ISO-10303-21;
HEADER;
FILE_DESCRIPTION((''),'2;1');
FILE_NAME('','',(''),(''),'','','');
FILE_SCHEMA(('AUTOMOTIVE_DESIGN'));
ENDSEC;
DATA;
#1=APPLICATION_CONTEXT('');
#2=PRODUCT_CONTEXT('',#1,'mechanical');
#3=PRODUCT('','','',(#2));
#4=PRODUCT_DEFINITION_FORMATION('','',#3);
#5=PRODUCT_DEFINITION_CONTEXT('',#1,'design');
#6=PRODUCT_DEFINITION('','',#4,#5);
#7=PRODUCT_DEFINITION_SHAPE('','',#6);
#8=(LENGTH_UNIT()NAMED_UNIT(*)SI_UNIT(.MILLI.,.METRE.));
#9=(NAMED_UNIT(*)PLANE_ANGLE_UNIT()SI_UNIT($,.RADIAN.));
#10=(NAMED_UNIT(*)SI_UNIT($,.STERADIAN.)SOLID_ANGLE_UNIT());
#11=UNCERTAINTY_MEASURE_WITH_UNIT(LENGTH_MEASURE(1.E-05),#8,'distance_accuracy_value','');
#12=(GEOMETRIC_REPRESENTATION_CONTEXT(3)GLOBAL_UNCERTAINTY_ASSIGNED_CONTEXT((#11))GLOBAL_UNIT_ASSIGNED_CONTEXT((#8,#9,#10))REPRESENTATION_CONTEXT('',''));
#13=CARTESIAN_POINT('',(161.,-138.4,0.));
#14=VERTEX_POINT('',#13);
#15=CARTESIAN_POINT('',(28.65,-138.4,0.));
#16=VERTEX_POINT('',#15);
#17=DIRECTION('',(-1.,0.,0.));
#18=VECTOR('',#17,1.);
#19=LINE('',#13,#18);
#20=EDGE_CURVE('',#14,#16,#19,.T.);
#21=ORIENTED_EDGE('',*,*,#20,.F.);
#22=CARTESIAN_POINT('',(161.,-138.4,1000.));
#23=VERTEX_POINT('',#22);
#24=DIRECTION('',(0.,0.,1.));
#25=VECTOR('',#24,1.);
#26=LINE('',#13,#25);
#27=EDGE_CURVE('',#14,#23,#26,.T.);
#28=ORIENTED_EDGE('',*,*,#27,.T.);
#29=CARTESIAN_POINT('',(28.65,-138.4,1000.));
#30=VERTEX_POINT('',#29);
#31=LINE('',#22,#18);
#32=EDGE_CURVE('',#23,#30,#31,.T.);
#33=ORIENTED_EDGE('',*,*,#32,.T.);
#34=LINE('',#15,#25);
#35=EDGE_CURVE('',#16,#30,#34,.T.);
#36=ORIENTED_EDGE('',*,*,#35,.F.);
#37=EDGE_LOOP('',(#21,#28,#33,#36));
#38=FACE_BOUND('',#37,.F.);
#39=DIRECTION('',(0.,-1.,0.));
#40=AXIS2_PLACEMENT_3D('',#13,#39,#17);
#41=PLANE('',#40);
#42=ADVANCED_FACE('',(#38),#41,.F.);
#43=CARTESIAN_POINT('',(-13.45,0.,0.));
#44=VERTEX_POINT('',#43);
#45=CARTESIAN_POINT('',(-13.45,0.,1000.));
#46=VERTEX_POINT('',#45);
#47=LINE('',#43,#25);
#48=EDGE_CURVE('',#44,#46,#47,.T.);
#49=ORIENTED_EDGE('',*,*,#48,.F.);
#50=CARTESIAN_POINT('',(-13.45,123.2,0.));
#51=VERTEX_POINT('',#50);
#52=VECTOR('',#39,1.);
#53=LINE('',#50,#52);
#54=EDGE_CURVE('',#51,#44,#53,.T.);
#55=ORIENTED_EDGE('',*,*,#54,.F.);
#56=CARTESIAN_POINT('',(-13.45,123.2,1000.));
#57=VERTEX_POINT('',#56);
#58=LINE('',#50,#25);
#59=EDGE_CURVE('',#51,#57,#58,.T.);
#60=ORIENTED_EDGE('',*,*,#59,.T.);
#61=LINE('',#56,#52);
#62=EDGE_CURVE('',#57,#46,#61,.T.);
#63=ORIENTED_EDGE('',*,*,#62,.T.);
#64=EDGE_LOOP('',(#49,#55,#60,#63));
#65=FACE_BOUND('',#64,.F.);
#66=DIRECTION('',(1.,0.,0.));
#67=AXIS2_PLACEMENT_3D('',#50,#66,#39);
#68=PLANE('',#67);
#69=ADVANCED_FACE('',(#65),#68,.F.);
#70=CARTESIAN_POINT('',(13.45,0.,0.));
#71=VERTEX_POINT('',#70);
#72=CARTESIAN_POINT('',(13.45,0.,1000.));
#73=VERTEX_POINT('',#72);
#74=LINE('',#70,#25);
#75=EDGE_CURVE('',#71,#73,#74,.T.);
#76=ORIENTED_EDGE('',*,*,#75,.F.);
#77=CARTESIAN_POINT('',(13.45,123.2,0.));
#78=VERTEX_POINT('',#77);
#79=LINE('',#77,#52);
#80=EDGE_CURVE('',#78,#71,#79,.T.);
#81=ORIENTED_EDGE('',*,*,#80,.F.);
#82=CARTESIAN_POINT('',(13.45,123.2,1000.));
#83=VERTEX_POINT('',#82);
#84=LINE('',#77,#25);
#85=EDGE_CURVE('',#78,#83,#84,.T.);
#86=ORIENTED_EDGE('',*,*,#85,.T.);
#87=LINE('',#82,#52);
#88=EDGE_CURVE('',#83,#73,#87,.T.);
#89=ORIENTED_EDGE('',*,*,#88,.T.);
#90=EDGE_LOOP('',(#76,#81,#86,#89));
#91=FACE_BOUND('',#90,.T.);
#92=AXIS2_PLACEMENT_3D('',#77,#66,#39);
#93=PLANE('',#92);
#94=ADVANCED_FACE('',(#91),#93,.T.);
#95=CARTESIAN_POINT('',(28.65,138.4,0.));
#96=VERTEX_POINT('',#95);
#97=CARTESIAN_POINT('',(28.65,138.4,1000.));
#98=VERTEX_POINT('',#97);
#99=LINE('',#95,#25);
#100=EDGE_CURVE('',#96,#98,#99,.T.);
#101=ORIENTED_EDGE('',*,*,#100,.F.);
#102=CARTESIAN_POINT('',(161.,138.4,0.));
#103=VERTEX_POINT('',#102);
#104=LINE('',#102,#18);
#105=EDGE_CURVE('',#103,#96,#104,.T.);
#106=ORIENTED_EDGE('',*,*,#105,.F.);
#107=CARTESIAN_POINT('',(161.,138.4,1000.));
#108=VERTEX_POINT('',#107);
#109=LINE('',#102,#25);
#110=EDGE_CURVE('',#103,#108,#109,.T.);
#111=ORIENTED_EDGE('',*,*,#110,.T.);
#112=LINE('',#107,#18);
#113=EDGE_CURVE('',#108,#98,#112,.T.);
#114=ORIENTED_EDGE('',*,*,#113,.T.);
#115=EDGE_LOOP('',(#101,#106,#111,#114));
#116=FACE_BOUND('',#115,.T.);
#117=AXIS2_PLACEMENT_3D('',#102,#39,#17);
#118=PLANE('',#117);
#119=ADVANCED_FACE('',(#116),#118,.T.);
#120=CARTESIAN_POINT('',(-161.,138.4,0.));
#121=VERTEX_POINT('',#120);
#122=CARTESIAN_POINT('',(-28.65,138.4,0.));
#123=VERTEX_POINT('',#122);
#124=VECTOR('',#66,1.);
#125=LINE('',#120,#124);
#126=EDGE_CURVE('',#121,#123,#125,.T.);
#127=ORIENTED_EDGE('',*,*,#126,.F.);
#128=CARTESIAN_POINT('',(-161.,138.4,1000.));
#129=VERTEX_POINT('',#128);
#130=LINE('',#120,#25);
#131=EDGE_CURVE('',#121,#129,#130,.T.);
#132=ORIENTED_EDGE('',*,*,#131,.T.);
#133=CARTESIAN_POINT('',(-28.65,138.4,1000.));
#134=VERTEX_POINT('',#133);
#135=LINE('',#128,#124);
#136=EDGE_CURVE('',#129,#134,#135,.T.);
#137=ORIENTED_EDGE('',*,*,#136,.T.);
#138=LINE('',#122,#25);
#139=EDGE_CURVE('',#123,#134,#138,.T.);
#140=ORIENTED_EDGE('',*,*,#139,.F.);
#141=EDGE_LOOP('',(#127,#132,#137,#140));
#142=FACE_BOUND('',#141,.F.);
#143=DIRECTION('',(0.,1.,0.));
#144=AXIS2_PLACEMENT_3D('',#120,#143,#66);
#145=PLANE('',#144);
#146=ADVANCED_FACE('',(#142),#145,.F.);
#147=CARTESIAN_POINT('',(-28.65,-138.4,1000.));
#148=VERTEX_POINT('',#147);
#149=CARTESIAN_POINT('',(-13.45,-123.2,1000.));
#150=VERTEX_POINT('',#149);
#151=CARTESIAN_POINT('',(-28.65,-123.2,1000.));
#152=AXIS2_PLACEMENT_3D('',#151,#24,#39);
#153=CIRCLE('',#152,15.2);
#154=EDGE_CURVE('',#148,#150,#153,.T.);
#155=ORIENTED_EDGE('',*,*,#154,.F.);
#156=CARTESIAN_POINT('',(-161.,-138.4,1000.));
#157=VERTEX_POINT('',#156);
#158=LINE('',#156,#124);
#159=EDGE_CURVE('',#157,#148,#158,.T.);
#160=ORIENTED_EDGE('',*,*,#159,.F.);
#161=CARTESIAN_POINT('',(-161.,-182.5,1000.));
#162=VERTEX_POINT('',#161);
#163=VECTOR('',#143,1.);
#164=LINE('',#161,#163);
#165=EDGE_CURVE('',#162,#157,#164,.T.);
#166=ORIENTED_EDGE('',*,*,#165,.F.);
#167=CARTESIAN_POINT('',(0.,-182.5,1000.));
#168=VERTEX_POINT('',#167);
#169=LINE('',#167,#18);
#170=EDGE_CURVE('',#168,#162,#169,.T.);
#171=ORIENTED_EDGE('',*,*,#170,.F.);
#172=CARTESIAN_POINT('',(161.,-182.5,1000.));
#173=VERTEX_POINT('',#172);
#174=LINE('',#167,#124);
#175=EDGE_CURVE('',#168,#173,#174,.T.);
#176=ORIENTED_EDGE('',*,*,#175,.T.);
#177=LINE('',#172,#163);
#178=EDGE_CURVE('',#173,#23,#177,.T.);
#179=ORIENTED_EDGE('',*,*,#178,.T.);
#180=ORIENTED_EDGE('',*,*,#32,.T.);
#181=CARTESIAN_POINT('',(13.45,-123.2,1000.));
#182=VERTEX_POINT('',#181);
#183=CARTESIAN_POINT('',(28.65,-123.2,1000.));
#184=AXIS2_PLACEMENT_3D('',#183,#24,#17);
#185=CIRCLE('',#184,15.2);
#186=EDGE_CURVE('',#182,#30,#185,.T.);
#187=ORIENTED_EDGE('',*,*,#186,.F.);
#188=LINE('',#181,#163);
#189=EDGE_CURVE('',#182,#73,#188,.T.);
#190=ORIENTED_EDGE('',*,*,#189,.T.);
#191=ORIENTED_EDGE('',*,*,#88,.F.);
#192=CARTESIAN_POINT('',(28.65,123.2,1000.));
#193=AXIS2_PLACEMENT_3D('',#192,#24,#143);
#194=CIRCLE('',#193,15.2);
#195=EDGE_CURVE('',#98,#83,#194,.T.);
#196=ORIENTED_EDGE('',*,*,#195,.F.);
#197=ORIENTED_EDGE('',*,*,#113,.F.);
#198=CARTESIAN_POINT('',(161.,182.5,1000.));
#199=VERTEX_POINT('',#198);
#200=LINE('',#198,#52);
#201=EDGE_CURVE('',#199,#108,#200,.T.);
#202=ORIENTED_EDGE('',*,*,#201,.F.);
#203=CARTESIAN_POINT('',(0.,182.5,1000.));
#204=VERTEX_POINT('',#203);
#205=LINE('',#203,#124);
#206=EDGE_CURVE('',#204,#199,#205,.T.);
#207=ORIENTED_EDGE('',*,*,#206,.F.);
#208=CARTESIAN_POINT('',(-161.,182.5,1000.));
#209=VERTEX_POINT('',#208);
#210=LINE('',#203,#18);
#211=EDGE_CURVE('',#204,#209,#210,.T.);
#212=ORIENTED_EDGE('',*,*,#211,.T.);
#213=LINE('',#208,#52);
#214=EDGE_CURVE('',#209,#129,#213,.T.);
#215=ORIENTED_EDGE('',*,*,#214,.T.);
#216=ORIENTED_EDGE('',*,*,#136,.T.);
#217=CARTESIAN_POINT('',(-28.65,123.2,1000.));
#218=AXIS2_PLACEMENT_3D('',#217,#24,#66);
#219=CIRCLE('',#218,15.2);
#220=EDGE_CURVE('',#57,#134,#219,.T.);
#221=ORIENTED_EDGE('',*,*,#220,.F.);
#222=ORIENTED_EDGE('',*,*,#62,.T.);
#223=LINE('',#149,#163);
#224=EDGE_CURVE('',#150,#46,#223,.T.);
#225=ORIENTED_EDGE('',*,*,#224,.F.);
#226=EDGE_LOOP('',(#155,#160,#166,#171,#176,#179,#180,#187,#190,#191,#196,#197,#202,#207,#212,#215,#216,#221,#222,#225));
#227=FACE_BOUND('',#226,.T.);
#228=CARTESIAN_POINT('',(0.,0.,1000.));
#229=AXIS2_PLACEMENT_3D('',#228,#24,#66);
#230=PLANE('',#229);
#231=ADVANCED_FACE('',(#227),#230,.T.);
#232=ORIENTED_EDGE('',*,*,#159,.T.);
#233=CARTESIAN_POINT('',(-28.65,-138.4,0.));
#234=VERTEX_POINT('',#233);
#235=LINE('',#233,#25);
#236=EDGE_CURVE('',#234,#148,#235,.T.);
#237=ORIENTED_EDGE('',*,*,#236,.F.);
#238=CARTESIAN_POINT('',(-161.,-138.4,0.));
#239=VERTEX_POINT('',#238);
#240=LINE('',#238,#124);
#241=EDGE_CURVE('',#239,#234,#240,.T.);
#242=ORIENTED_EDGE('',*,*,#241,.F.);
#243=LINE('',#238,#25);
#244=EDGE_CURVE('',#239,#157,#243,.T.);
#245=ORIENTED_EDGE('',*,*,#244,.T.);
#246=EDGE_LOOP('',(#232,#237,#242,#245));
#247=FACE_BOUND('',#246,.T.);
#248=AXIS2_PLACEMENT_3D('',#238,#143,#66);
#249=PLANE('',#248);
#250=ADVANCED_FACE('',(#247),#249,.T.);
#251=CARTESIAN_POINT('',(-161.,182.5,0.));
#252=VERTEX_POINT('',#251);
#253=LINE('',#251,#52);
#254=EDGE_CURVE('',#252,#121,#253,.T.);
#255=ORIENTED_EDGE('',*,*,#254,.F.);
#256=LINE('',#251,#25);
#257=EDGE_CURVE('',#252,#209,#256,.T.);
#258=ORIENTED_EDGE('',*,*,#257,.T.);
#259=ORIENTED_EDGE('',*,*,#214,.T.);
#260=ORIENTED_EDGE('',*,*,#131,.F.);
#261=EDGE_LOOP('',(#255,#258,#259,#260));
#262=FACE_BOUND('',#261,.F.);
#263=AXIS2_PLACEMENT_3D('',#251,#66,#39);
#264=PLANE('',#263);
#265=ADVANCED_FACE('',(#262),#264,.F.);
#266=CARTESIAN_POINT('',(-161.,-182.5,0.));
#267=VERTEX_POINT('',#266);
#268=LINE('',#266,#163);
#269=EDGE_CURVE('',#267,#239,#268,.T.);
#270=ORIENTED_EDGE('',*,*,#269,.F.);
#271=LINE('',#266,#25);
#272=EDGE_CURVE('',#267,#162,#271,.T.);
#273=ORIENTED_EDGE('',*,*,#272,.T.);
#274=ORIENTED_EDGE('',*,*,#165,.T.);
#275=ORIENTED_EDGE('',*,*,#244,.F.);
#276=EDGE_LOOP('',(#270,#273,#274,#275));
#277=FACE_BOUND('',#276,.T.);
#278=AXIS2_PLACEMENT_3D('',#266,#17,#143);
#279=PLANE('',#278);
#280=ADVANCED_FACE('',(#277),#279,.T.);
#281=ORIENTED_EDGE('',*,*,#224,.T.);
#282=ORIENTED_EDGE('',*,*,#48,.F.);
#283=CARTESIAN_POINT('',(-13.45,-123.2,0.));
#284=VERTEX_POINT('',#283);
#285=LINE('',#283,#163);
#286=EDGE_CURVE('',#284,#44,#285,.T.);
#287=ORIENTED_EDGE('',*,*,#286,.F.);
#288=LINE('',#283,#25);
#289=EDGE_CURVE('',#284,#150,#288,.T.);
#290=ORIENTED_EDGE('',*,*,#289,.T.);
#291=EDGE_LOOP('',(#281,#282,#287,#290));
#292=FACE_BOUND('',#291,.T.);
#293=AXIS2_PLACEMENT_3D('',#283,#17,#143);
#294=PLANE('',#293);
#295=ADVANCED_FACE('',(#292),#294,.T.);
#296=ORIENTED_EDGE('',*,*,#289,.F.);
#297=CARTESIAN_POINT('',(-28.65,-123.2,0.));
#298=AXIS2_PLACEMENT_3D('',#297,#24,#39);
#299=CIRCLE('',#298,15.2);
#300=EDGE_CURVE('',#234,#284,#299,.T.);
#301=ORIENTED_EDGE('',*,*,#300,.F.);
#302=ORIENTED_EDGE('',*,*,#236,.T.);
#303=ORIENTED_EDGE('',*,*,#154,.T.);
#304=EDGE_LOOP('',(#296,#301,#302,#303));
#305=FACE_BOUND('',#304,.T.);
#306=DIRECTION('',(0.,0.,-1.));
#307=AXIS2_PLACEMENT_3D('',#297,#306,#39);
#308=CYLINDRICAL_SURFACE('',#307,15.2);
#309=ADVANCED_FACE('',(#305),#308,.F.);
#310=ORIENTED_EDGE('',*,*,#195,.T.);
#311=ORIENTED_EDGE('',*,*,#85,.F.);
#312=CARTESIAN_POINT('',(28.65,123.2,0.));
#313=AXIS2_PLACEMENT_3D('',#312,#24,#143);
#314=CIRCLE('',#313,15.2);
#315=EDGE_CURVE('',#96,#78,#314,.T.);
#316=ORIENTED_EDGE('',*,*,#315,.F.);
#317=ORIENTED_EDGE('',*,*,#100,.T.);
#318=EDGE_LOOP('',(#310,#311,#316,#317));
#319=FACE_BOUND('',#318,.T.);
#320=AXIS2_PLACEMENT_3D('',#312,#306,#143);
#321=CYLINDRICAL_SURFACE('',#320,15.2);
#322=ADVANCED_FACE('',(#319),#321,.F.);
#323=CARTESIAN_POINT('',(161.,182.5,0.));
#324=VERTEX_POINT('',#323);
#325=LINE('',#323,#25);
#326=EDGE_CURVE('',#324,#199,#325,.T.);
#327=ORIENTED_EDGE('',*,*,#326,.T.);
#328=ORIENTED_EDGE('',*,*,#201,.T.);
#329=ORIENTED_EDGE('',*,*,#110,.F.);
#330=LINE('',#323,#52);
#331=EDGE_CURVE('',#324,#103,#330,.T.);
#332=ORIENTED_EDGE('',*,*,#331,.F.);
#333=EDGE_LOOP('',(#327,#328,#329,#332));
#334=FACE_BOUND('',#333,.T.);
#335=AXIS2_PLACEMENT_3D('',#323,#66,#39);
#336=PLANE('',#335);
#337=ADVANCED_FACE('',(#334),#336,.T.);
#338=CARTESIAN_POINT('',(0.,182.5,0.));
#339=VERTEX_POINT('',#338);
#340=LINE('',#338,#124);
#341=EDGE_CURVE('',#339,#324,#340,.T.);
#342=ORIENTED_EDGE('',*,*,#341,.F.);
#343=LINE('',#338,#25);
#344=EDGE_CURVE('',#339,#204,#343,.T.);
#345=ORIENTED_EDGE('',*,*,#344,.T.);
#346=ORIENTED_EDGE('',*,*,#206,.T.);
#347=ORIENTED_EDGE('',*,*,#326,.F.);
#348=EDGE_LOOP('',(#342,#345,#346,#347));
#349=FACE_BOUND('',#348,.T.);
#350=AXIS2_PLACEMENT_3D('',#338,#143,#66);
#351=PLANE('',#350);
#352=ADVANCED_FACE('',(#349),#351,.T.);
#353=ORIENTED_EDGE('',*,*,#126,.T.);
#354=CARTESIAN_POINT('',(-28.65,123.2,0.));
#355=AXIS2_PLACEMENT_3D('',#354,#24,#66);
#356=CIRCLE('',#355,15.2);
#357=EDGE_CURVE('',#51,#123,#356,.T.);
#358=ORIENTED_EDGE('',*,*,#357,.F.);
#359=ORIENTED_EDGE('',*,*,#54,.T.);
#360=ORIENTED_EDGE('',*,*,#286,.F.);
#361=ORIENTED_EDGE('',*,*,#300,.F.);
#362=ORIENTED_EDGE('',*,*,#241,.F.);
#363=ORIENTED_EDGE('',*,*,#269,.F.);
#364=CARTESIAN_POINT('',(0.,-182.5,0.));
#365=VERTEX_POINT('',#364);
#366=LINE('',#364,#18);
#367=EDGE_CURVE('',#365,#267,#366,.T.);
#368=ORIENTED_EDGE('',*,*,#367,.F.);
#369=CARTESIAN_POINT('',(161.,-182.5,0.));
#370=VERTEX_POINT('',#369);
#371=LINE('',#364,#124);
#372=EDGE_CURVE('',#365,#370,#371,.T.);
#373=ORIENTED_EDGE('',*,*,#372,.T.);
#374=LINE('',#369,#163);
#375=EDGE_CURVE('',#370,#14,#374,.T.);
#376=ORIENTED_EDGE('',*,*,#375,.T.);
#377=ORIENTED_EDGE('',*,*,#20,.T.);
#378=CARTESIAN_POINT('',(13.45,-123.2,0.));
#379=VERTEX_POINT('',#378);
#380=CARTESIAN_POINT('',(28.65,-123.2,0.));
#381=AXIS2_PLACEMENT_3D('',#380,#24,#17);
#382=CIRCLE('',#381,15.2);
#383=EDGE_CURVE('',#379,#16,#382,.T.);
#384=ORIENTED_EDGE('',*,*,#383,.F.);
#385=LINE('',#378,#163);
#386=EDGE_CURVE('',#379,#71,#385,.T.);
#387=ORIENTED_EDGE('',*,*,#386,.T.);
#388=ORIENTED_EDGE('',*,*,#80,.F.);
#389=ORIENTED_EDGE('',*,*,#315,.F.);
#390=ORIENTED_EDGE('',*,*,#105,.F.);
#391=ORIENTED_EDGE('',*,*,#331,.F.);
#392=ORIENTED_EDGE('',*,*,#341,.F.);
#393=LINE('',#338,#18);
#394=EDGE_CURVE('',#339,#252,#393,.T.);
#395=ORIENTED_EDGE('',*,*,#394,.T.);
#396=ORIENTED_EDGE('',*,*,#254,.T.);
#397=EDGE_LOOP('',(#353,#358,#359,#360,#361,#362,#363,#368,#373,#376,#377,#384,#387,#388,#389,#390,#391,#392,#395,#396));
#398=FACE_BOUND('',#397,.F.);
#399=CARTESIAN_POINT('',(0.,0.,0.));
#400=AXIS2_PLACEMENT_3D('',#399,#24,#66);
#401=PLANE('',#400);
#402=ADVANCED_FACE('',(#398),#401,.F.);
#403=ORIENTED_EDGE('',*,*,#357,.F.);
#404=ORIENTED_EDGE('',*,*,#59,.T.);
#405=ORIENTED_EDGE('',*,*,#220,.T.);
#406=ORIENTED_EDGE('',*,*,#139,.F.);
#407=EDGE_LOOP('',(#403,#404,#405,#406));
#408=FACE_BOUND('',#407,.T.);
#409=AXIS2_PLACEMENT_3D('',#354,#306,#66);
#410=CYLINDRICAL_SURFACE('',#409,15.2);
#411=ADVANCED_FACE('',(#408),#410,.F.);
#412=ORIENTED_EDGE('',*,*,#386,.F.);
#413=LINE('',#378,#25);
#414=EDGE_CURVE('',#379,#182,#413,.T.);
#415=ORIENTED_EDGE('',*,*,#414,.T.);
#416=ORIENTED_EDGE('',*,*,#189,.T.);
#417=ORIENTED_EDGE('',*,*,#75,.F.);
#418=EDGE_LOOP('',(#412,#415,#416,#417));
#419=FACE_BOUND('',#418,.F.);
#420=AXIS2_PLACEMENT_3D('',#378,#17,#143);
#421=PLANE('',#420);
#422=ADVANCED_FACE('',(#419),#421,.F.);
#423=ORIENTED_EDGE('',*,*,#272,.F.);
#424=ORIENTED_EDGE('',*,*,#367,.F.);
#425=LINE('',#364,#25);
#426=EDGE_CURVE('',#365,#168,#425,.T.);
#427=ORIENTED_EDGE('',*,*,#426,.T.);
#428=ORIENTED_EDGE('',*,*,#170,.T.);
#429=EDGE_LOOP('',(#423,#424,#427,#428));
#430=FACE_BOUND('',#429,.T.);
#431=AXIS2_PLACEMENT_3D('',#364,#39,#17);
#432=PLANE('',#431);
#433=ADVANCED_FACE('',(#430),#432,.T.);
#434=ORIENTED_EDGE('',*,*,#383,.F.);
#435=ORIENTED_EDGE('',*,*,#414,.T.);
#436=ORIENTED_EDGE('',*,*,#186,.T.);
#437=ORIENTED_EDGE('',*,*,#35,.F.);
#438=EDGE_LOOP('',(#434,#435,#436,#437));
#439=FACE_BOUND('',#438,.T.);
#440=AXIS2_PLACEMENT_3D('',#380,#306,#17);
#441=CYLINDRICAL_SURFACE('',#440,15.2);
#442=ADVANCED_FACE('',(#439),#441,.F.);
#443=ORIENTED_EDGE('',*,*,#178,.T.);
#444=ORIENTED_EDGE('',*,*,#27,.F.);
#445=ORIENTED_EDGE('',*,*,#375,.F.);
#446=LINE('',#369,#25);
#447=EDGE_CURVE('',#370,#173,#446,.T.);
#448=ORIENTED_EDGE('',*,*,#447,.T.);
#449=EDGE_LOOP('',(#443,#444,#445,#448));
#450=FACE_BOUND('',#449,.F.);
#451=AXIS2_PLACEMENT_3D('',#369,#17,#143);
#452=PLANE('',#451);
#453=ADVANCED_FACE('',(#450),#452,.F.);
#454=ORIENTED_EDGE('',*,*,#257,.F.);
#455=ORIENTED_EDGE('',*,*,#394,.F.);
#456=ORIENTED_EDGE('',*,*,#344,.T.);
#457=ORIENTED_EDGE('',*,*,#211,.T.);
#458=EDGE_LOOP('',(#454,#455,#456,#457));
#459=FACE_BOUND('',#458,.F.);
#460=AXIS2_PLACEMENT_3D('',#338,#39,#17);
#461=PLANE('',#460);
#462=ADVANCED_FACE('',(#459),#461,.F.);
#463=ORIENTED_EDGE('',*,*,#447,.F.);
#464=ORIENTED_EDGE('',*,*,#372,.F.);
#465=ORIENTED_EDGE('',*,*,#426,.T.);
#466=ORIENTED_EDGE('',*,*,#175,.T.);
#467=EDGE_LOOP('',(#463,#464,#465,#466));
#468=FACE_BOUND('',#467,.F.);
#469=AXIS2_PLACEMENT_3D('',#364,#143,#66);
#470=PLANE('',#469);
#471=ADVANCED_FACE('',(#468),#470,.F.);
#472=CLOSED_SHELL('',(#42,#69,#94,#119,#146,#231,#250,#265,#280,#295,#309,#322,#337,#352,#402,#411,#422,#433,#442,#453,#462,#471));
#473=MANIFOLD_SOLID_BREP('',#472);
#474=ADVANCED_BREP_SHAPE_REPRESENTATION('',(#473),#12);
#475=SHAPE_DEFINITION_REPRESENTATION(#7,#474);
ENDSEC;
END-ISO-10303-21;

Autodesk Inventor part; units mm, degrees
ref_plane "YZ Plane" through (0, 0, 0) normal (1, 0, 0) x (0, 1, 0)
ref_plane "Start plane" through (0, 0, 0) normal (0, 0, 1) x (1, 0, 0)
ref_plane "End plane" through (0, 0, 1000) normal (0, 0, 1) x (1, 0, 0)
sketch "Sketch" plane through (0, 0, 0) normal (0, 0, 1) x (1, 0, 0)
  line L0 (-161, -182.5) -> (-161, -138.4)
  line L1 (-161, -138.4) -> (-28.65, -138.4)
  line L2 (-13.45, -123.2) -> (-13.45, 0)
  line L3 (-13.45, 0) -> (0, 0) construction
  line L4 (0, 0) -> (0, -182.5) construction
  line L5 (0, -182.5) -> (-161, -182.5)
  line L6 (-60, 0) -> (80, 0) construction
  line L7 (0, -60) -> (0, 80) construction
  line L8 (161, -182.5) -> (161, -138.4)
  line L9 (161, -138.4) -> (28.65, -138.4)
  line L10 (13.45, -123.2) -> (13.45, 0)
  line L11 (13.45, 0) -> (0, 0) construction
  line L12 (0, -182.5) -> (161, -182.5)
  line L13 (-161, 182.5) -> (-161, 138.4)
  line L14 (-161, 138.4) -> (-28.65, 138.4)
  line L15 (-13.45, 123.2) -> (-13.45, 0)
  line L16 (0, 182.5) -> (-161, 182.5)
  line L17 (161, 182.5) -> (161, 138.4)
  line L18 (161, 138.4) -> (28.65, 138.4)
  line L19 (0, 182.5) -> (161, 182.5)
  line L20 (13.45, 123.2) -> (13.45, 0)
  arc A0 (-13.45, 123.2) -> (-28.65, 138.4) centre (-28.65, 123.2) ccw
  arc A1 (28.65, 138.4) -> (13.45, 123.2) centre (28.65, 123.2) ccw
  arc A2 (13.45, -123.2) -> (28.65, -138.4) centre (28.65, -123.2) ccw
  arc A3 (-28.65, -138.4) -> (-13.45, -123.2) centre (-28.65, -123.2) ccw
  line L21 (0, 108) -> (0, -88) construction
  line L22 (-88, 0) -> (108, 0) construction
  point P0 (-13.45, -138.4)
  point P1 (13.45, -138.4)
  point P2 (-13.45, 138.4)
  point P3 (13.45, 138.4)
  dimension "d1" = 182.5
  dimension "d2" = 44.1
  dimension "d3" = 161
  dimension "d4" = 13.45
  dimension "d10" = 15.2
extrude "Body" add sketch "Sketch" along normal up to surface (1000 mm away) from surface at 0
sketch "Sketch4" plane through (0, 0, 0) normal (0, 0, 1) x (1, 0, 0)
  line L0 (0, 0) -> (10, 0)
ref_plane "Work Plane3" through (0, 0, 0) normal (0, -1, 0) x (1, 0, 0)
sketch "Sketch5" plane through (0, 0, 0) normal (0, -1, 0) x (1, 0, 0)
  line L0 (-2, 0) -> (12, 0) projected
  line L1 (-2, 1000) -> (12, 1000) projected
  dimension "d14" = 1000
equation "\"d1\" = 0.5 * G_H"
equation "\"d2\" = G_T1"
equation "\"d3\" = 0.5 * G_W"
equation "\"d4\" = 0.5 * G_T"
equation "\"d10\" = G_IR"
equation "\"d5\" = G_L"
equation "\"G_W\" = 322"
equation "\"G_H\" = 365"
equation "\"G_T\" = 26.9"
equation "\"G_T1\" = 44.1"
equation "\"G_IR\" = 15.2"
equation "\"G_L\" = d14"
equation "\"G_OFFSET_START\" = 0"
equation "\"G_OFFSET_END\" = 0"
properties part number "AS 3679 - 310 UC - 283 - 1000" material "Steel, Mild"
